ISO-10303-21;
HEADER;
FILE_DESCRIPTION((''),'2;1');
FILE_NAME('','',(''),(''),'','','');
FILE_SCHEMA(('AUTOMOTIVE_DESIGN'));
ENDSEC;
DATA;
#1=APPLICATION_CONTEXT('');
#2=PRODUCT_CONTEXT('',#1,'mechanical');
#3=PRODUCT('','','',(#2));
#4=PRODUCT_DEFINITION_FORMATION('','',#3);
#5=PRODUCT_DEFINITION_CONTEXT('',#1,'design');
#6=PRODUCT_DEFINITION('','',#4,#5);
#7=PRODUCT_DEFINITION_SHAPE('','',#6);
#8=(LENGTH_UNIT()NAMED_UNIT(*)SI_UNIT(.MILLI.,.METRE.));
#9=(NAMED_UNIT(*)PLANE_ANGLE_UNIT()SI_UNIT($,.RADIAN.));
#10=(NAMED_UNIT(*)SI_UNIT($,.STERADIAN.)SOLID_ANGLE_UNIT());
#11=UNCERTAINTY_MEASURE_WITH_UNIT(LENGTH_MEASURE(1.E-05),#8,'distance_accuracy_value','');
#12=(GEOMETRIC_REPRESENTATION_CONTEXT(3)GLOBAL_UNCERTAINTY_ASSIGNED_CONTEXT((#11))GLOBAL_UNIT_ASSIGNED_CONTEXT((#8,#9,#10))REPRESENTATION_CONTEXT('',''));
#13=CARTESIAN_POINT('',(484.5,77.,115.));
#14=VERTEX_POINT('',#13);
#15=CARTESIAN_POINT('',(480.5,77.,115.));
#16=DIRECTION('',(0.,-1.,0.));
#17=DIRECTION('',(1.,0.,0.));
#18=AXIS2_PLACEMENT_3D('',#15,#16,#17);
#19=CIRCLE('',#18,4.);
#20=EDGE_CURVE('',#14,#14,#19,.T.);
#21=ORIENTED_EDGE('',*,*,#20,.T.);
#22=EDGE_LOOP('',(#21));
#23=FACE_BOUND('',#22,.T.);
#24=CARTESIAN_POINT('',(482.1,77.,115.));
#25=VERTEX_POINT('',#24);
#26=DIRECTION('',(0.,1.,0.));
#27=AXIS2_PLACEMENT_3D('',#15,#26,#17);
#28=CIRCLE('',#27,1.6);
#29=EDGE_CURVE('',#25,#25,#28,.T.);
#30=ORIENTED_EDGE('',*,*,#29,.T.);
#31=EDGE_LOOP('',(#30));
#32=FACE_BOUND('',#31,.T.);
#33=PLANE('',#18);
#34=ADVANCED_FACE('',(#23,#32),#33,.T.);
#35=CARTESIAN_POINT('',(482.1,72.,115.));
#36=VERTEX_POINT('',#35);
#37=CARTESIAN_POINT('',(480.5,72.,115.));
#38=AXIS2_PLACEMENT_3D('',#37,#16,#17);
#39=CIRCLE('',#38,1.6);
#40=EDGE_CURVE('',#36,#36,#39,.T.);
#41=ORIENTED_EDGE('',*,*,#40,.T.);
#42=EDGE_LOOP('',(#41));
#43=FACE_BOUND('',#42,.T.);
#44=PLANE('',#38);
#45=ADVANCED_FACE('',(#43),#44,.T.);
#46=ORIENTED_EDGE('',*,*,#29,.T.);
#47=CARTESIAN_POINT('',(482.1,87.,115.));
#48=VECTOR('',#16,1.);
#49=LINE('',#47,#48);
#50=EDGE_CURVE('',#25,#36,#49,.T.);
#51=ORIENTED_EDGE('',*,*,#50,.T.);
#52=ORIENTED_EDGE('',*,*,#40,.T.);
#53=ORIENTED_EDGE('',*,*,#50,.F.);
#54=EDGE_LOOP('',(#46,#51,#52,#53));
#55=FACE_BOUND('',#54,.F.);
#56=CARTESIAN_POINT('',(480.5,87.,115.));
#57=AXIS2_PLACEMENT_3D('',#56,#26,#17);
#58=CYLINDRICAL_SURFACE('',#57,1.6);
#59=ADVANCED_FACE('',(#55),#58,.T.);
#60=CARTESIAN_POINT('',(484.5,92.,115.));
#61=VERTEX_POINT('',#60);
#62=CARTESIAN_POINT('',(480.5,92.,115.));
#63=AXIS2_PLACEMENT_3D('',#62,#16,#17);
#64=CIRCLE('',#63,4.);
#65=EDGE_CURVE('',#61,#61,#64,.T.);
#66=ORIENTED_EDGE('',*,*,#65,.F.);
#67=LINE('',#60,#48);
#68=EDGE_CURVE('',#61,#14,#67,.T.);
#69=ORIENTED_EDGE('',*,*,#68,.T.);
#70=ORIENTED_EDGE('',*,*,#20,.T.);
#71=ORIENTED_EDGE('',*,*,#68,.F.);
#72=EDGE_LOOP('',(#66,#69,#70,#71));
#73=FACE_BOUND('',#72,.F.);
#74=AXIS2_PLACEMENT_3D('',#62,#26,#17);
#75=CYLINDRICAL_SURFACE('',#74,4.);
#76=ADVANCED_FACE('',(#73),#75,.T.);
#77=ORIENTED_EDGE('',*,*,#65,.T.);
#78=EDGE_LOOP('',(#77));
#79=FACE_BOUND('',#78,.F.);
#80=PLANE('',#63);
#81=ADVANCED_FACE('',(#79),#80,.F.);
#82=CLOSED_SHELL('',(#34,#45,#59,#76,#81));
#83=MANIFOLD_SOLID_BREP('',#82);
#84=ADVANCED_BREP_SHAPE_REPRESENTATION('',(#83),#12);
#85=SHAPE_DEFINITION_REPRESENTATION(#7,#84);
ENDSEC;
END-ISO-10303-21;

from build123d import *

# Parameters (mm, degrees)
CYLINDER1217_R     = 1.6
CYLINDER1217_DEPTH = 15
CYLINDER1202_R     = 4
CYLINDER1202_DEPTH = 15


with BuildPart() as cylinder1217:
    # Cylinder1217 → Cylinder1217 (new body)
    with BuildSketch(Plane(origin=(480, 87, 115), x_dir=(1, 0, 0), z_dir=(0, -1, 0))):
        Circle(CYLINDER1217_R)
    extrude(amount=CYLINDER1217_DEPTH)


with BuildPart() as fusion248002050129:
    # Cylinder1202 → Cylinder1202 (new body)
    with BuildSketch(Plane(origin=(480, 92, 115), x_dir=(1, 0, 0), z_dir=(0, -1, 0))):
        Circle(CYLINDER1202_R)
    extrude(amount=CYLINDER1202_DEPTH)

    # Fusion248002050129: union Cylinder1217
    add(cylinder1217.part)


with BuildPart() as fusion248002050129_1:
    # Fusion248002050129 placement: moved
    add(fusion248002050129.part.moved(Location((0.5, 0, 0))))


solid = fusion248002050129_1.part
